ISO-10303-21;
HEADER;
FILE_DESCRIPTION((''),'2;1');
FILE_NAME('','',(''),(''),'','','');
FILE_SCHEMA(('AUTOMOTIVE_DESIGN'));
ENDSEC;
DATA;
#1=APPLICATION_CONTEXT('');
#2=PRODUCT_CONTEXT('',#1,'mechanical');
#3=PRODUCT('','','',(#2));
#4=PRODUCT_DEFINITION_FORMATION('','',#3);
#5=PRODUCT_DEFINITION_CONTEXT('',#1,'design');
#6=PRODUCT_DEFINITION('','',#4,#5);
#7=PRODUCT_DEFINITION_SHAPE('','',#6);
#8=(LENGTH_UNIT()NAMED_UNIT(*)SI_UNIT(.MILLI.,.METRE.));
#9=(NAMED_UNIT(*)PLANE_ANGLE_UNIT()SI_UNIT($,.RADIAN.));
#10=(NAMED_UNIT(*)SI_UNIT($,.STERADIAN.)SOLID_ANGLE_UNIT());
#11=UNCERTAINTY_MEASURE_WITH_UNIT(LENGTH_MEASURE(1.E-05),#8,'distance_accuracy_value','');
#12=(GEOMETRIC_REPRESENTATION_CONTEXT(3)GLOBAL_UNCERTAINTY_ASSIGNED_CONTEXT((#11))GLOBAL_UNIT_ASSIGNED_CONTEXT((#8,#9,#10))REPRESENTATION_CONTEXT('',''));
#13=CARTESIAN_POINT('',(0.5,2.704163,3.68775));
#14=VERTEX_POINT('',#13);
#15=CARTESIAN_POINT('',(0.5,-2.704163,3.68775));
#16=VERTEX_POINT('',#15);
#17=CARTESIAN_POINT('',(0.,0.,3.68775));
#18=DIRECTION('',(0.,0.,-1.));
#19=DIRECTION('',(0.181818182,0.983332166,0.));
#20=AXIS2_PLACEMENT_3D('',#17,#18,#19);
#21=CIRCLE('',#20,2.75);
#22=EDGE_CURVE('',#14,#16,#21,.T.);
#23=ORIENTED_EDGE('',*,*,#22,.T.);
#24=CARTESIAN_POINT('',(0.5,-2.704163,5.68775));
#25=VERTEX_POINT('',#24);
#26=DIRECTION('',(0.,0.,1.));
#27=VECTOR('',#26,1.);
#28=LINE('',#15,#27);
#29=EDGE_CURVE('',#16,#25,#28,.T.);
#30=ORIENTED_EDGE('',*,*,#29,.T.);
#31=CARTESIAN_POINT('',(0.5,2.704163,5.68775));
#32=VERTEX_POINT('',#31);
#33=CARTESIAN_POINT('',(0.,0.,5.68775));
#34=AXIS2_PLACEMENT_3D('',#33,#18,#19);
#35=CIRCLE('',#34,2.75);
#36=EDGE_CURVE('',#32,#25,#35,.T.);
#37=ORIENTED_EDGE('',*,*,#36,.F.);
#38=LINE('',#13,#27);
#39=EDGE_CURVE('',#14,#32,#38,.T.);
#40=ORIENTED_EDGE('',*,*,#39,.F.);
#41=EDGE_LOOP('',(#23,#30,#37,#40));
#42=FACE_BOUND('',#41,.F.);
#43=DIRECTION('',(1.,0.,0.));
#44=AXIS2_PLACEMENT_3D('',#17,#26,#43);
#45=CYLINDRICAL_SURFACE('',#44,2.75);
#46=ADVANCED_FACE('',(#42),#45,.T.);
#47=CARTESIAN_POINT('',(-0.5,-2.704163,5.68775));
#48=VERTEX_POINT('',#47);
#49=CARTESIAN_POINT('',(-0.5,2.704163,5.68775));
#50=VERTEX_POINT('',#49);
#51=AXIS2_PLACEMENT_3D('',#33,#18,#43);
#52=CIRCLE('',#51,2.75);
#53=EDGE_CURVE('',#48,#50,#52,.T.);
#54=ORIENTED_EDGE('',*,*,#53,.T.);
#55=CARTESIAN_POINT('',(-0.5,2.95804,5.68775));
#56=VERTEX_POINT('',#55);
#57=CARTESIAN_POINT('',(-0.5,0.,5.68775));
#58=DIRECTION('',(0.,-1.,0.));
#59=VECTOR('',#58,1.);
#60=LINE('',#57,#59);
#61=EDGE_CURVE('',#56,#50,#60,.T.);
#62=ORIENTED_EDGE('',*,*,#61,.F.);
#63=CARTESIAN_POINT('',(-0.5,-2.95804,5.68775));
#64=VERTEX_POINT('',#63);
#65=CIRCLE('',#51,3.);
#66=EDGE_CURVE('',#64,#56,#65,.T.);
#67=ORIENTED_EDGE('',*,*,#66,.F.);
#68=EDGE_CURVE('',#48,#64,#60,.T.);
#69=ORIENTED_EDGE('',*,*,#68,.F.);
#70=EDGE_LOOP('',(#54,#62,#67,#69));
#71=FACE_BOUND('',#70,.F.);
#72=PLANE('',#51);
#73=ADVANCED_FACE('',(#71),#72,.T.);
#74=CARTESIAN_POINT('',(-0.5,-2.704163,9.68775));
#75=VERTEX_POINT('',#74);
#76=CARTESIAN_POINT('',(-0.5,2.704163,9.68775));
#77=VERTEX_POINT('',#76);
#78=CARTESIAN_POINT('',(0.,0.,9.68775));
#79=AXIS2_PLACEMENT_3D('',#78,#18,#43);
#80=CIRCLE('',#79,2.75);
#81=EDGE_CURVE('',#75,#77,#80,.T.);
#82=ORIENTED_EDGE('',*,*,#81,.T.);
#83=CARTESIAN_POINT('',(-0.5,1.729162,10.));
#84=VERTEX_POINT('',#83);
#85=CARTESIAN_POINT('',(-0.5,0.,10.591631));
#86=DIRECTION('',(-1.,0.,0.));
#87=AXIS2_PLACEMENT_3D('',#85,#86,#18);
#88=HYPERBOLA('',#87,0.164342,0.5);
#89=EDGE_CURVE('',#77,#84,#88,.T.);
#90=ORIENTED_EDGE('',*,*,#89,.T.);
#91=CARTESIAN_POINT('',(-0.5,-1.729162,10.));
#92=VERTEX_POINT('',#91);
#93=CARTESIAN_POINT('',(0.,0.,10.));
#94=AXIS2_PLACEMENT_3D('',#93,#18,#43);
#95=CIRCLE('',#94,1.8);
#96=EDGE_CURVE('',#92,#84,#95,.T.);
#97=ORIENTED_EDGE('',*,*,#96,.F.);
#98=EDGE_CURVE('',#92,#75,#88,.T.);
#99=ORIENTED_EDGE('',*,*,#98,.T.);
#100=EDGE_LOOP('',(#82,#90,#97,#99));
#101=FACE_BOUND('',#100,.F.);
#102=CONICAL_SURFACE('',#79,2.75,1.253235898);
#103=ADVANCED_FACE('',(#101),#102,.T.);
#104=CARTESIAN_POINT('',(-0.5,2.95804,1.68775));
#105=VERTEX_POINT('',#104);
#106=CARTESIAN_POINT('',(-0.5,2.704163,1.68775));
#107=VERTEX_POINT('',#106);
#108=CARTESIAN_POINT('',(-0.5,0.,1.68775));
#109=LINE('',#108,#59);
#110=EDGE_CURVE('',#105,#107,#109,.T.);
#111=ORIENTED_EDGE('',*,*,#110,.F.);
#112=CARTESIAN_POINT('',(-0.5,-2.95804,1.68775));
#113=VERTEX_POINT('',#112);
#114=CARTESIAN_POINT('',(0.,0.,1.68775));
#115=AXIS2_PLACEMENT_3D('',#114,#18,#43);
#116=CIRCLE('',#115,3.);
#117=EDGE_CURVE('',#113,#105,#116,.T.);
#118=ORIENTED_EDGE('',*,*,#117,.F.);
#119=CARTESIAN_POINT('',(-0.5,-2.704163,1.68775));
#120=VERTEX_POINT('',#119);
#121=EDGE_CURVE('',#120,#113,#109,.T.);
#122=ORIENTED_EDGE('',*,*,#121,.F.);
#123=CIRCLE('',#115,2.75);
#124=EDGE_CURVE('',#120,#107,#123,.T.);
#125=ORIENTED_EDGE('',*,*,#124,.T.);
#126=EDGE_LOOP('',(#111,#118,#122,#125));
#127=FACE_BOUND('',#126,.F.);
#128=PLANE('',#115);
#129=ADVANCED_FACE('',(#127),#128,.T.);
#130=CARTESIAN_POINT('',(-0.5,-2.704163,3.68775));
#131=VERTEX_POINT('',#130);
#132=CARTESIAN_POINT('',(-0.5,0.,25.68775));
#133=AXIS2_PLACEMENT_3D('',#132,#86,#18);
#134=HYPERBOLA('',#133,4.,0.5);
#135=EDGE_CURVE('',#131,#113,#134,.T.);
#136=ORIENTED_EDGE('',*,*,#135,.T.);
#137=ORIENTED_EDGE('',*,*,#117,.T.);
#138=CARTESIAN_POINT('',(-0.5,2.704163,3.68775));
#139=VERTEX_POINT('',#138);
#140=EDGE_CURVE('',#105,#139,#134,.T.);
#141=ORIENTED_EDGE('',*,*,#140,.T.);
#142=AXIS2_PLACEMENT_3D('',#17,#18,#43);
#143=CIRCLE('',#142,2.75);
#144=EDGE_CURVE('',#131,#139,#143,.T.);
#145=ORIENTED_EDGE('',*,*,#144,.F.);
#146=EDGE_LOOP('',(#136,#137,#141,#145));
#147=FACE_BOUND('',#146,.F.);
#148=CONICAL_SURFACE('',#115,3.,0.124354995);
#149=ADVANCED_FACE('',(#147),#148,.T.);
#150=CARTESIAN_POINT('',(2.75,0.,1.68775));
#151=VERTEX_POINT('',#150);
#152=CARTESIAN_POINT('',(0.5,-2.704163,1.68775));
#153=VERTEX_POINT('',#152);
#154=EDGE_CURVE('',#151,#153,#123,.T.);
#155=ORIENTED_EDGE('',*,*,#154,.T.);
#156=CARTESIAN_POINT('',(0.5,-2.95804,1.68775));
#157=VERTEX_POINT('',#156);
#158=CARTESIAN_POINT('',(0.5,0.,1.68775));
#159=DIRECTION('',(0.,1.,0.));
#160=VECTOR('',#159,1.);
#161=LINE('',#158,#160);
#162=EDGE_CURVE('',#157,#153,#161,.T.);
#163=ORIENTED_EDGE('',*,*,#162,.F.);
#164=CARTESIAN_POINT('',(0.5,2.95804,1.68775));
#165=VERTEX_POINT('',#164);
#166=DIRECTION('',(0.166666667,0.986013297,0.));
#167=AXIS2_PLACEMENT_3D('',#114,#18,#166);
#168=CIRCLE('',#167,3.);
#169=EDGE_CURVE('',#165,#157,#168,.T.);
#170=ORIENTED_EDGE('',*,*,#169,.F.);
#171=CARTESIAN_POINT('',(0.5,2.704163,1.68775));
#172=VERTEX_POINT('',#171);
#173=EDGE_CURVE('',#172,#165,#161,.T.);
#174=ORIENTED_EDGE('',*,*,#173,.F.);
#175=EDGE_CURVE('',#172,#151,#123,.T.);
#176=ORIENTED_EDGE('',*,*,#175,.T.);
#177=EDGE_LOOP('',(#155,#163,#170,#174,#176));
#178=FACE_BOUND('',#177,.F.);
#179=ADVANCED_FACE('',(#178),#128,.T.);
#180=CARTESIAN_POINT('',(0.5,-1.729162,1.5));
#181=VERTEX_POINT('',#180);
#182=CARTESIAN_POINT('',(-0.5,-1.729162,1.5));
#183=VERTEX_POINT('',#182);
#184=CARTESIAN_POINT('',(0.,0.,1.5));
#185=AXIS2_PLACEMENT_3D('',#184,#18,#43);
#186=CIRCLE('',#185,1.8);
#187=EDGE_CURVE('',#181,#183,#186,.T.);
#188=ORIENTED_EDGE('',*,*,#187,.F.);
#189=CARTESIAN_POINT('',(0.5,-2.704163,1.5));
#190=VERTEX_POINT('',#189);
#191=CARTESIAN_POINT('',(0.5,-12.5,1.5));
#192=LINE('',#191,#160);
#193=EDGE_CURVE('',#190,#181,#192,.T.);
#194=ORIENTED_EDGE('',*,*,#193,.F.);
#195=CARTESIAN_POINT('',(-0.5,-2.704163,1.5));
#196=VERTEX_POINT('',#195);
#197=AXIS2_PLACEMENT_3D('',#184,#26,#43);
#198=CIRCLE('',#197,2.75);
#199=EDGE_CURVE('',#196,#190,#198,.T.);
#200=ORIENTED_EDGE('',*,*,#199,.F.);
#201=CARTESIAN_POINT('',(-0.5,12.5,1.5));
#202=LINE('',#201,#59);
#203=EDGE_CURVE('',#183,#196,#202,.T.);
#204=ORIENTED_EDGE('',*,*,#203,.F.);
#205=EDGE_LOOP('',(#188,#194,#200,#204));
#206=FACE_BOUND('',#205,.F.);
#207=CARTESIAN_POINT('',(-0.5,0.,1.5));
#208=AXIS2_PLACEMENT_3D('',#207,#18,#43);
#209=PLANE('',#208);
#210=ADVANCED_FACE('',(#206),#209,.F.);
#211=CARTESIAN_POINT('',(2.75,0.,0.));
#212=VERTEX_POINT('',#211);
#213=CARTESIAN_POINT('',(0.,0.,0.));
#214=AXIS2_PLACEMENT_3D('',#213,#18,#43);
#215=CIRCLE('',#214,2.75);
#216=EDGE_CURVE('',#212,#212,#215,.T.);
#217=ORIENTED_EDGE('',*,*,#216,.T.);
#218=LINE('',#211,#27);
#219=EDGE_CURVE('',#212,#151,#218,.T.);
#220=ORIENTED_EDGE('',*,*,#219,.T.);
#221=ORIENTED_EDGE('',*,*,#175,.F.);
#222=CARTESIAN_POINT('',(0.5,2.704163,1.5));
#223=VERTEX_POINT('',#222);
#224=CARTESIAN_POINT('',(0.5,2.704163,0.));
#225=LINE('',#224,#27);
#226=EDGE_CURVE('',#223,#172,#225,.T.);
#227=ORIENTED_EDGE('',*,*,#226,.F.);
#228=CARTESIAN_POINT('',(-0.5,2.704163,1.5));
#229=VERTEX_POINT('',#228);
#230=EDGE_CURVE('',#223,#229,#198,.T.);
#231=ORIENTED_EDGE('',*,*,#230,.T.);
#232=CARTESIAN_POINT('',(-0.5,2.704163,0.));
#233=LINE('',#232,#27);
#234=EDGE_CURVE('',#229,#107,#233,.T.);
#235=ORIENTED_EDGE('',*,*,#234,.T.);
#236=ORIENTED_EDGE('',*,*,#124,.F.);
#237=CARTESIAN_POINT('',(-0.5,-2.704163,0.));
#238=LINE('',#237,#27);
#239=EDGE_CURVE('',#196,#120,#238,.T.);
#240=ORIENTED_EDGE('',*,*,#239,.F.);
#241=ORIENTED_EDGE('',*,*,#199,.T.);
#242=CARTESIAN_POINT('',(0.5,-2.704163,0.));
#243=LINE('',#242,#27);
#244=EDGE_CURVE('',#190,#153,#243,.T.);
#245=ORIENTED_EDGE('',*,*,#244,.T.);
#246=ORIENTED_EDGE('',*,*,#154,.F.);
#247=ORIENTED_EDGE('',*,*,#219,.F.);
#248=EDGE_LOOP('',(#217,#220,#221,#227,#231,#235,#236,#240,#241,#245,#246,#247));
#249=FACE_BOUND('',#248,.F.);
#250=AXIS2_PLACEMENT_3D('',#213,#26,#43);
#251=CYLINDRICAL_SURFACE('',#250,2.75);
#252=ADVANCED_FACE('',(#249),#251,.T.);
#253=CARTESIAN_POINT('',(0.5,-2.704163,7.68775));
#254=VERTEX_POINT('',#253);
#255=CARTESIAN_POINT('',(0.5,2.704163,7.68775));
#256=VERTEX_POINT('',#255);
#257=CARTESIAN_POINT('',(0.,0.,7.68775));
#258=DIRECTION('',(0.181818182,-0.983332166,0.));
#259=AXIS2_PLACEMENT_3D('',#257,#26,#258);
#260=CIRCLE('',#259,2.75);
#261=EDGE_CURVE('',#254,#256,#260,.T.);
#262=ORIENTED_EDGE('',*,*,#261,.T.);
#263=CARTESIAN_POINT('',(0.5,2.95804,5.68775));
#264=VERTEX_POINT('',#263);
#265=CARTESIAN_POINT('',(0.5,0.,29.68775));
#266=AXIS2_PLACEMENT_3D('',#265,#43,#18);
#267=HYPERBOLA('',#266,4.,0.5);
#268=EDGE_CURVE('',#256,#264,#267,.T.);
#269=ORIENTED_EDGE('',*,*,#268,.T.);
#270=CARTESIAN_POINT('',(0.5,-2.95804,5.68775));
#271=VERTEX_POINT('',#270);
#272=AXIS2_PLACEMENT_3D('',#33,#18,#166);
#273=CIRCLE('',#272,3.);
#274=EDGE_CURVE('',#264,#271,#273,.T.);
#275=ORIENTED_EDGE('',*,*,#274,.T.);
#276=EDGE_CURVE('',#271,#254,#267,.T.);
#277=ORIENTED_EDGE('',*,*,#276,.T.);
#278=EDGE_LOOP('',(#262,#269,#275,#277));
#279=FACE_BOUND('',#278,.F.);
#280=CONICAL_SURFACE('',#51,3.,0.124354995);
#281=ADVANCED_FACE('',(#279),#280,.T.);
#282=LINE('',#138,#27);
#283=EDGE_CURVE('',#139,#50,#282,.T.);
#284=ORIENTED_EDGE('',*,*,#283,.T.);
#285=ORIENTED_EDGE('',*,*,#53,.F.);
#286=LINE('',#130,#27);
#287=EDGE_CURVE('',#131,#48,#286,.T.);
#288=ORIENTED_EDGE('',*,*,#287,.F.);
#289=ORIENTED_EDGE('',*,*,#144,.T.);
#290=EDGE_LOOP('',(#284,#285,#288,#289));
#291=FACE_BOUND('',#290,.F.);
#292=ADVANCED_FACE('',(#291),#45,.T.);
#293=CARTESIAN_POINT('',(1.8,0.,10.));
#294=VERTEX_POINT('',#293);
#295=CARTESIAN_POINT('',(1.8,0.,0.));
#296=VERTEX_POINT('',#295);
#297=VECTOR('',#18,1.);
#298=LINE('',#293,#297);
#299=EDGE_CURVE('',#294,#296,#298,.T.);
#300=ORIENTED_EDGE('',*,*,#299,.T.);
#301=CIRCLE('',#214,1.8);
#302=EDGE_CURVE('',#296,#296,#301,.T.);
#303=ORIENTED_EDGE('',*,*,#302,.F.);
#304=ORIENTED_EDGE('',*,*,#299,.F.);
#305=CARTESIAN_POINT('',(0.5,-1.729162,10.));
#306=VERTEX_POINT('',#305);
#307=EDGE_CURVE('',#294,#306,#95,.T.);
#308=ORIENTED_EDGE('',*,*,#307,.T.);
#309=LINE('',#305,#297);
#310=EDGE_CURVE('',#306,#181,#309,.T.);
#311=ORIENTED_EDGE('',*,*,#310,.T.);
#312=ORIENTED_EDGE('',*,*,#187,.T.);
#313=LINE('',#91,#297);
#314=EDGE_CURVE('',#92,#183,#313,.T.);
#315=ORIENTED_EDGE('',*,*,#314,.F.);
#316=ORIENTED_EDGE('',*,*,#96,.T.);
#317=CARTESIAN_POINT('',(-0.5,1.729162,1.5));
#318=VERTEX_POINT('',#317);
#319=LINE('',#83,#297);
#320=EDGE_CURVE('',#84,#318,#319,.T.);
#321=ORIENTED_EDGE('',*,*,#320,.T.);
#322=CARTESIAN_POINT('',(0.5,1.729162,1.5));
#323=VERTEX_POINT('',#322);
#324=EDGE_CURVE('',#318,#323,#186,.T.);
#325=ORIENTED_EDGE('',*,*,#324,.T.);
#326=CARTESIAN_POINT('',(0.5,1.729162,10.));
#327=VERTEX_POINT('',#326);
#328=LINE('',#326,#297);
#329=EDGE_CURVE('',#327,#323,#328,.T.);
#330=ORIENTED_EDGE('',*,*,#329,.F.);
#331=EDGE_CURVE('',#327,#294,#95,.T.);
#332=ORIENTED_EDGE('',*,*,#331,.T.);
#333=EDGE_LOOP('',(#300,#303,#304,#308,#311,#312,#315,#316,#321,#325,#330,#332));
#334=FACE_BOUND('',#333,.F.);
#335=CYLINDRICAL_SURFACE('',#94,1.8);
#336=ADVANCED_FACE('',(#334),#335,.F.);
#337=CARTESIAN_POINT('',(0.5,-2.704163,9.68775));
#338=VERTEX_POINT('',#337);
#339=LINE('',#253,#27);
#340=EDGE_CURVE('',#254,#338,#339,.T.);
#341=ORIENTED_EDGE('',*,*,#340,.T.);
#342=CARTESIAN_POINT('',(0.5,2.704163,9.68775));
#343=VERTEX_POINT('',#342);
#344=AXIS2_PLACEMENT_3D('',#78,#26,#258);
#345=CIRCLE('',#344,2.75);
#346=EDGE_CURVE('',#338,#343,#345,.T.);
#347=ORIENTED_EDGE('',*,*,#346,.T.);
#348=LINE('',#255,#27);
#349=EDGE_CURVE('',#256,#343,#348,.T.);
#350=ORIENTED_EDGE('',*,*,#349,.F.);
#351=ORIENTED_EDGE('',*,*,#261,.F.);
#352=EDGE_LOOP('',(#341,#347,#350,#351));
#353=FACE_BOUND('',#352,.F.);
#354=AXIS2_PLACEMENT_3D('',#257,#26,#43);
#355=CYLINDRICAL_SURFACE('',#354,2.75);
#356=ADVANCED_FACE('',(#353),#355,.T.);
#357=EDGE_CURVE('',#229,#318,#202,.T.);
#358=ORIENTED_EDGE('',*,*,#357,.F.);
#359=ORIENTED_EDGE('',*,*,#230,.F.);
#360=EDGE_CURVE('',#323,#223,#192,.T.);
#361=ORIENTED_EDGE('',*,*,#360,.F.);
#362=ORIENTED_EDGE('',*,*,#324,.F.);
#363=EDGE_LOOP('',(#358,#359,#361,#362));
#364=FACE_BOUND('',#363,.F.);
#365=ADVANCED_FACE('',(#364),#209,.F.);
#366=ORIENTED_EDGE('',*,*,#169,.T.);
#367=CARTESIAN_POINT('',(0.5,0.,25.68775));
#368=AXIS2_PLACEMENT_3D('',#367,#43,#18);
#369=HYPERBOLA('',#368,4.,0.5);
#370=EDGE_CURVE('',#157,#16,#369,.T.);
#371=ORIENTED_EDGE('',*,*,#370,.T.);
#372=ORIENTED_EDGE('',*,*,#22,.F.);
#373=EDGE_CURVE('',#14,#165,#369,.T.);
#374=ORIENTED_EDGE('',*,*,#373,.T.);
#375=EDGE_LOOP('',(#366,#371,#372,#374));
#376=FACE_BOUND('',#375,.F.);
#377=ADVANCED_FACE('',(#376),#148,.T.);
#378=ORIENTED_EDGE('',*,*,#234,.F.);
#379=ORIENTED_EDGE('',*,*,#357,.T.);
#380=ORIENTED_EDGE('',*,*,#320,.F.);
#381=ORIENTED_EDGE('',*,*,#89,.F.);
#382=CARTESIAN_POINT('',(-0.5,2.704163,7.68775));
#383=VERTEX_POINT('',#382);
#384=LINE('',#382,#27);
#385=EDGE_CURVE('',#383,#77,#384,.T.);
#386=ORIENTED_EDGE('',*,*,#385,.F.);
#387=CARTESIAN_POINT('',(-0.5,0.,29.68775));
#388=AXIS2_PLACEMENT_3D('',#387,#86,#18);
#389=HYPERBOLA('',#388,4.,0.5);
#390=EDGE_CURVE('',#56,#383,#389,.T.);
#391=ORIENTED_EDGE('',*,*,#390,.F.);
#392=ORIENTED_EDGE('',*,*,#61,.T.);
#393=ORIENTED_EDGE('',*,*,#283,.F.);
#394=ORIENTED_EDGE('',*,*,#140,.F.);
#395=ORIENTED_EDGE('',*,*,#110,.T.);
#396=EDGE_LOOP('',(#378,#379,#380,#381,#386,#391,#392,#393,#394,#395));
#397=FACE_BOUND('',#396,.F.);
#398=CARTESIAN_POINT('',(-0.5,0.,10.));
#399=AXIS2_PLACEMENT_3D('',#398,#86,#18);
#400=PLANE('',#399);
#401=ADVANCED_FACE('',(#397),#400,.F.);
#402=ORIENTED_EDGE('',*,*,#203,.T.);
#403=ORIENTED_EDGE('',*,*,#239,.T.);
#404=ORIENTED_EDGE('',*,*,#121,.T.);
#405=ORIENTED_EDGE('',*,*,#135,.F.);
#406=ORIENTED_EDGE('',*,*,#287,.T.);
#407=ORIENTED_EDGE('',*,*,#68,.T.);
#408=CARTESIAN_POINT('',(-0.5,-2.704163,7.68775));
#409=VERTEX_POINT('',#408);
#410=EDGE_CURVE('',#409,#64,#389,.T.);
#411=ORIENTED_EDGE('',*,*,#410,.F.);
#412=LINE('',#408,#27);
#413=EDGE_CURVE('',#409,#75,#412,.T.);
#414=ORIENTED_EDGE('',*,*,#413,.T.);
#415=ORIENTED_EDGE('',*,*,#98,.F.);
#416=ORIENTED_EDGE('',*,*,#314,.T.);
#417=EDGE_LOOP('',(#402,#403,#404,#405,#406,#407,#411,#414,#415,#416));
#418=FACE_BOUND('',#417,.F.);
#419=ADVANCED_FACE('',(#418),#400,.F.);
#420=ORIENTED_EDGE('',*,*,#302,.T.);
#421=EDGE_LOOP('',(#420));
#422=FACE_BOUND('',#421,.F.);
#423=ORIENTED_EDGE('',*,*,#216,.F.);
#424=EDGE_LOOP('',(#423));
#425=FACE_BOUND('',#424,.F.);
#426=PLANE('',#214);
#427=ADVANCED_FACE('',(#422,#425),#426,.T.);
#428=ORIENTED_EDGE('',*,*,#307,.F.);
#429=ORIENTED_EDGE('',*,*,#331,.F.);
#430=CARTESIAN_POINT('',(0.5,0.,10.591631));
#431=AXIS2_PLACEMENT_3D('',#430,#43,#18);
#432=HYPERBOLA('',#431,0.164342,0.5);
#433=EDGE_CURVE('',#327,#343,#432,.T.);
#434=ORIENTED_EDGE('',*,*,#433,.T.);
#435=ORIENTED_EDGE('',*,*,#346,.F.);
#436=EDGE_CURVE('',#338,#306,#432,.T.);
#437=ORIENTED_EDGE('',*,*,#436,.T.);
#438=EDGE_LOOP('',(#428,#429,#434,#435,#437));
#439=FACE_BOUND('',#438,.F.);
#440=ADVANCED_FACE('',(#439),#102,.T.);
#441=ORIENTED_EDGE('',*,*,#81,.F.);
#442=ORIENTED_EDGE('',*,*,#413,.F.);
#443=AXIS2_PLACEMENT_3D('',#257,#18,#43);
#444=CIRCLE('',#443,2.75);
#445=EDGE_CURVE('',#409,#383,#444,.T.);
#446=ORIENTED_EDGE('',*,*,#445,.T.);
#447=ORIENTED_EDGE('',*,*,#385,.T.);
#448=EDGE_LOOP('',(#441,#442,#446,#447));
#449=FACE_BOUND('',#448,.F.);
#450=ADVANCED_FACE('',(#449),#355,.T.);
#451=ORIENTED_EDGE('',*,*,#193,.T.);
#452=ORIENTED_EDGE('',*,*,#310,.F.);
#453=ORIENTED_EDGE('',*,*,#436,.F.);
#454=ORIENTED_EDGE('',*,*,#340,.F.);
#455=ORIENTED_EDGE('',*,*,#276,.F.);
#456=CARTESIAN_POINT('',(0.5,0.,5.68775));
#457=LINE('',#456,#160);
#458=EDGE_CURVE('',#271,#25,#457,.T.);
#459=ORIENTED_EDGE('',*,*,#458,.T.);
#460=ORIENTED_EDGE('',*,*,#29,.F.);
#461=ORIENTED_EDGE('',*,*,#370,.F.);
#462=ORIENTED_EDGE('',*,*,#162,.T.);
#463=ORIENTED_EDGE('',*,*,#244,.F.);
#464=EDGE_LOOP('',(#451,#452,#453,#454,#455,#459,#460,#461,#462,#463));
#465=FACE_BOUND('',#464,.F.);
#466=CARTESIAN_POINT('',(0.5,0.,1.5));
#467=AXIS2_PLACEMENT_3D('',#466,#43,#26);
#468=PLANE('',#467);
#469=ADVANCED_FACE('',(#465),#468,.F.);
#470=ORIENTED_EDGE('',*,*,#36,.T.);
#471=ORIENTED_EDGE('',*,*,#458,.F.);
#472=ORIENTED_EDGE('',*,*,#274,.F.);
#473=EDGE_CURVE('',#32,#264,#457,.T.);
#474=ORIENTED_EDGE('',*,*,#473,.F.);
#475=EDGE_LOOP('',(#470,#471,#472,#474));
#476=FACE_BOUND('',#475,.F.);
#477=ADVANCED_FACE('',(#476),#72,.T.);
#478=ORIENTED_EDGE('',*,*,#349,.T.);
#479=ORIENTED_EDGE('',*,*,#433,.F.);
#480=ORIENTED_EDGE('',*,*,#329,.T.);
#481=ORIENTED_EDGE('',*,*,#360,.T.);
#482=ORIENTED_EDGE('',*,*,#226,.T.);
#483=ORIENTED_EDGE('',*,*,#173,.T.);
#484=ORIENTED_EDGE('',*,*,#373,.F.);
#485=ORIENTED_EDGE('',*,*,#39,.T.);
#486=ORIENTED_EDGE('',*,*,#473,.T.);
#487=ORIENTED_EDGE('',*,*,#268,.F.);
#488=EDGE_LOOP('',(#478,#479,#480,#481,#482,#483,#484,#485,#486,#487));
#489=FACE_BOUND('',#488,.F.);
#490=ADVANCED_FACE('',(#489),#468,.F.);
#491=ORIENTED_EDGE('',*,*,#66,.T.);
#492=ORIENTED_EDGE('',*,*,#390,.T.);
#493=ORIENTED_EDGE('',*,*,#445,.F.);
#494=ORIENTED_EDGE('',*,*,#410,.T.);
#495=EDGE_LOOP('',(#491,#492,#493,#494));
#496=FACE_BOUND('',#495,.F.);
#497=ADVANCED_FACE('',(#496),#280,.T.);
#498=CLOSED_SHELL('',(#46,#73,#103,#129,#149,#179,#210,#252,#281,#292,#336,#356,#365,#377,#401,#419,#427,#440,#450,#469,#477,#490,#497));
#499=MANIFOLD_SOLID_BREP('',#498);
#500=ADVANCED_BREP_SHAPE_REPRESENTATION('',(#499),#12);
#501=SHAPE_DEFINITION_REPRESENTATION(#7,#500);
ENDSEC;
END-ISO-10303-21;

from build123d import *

# Parameters (mm, degrees)
F3_DEPTH = 12.5


with BuildPart() as f1:
    # F0 (on Front) → F1 (revolve)
    with BuildSketch(Plane.XZ):
        Polygon((2.75, 9.6877501001), (1.8, 10), (1.8, 0), (2.75, 0), (2.75, 1.6877501001), (3, 1.6877501001), (2.75, 3.6877501001), (2.75, 5.6877501001), (3, 5.6877501001), (2.75, 7.6877501001), align=None)
    revolve(axis=Axis((0, 0, 0.3669395117), (0, 0, -1)))

    # F2 (on Front) → F3 (cut, symmetric)
    with BuildSketch(Plane.XZ):
        Polygon((0.5, 10), (-0.5, 10), (-0.5, 1.5), (0, 1.5), (0.5, 1.5), align=None)
    extrude(amount=F3_DEPTH, both=True, mode=Mode.SUBTRACT)


solid = f1.part
